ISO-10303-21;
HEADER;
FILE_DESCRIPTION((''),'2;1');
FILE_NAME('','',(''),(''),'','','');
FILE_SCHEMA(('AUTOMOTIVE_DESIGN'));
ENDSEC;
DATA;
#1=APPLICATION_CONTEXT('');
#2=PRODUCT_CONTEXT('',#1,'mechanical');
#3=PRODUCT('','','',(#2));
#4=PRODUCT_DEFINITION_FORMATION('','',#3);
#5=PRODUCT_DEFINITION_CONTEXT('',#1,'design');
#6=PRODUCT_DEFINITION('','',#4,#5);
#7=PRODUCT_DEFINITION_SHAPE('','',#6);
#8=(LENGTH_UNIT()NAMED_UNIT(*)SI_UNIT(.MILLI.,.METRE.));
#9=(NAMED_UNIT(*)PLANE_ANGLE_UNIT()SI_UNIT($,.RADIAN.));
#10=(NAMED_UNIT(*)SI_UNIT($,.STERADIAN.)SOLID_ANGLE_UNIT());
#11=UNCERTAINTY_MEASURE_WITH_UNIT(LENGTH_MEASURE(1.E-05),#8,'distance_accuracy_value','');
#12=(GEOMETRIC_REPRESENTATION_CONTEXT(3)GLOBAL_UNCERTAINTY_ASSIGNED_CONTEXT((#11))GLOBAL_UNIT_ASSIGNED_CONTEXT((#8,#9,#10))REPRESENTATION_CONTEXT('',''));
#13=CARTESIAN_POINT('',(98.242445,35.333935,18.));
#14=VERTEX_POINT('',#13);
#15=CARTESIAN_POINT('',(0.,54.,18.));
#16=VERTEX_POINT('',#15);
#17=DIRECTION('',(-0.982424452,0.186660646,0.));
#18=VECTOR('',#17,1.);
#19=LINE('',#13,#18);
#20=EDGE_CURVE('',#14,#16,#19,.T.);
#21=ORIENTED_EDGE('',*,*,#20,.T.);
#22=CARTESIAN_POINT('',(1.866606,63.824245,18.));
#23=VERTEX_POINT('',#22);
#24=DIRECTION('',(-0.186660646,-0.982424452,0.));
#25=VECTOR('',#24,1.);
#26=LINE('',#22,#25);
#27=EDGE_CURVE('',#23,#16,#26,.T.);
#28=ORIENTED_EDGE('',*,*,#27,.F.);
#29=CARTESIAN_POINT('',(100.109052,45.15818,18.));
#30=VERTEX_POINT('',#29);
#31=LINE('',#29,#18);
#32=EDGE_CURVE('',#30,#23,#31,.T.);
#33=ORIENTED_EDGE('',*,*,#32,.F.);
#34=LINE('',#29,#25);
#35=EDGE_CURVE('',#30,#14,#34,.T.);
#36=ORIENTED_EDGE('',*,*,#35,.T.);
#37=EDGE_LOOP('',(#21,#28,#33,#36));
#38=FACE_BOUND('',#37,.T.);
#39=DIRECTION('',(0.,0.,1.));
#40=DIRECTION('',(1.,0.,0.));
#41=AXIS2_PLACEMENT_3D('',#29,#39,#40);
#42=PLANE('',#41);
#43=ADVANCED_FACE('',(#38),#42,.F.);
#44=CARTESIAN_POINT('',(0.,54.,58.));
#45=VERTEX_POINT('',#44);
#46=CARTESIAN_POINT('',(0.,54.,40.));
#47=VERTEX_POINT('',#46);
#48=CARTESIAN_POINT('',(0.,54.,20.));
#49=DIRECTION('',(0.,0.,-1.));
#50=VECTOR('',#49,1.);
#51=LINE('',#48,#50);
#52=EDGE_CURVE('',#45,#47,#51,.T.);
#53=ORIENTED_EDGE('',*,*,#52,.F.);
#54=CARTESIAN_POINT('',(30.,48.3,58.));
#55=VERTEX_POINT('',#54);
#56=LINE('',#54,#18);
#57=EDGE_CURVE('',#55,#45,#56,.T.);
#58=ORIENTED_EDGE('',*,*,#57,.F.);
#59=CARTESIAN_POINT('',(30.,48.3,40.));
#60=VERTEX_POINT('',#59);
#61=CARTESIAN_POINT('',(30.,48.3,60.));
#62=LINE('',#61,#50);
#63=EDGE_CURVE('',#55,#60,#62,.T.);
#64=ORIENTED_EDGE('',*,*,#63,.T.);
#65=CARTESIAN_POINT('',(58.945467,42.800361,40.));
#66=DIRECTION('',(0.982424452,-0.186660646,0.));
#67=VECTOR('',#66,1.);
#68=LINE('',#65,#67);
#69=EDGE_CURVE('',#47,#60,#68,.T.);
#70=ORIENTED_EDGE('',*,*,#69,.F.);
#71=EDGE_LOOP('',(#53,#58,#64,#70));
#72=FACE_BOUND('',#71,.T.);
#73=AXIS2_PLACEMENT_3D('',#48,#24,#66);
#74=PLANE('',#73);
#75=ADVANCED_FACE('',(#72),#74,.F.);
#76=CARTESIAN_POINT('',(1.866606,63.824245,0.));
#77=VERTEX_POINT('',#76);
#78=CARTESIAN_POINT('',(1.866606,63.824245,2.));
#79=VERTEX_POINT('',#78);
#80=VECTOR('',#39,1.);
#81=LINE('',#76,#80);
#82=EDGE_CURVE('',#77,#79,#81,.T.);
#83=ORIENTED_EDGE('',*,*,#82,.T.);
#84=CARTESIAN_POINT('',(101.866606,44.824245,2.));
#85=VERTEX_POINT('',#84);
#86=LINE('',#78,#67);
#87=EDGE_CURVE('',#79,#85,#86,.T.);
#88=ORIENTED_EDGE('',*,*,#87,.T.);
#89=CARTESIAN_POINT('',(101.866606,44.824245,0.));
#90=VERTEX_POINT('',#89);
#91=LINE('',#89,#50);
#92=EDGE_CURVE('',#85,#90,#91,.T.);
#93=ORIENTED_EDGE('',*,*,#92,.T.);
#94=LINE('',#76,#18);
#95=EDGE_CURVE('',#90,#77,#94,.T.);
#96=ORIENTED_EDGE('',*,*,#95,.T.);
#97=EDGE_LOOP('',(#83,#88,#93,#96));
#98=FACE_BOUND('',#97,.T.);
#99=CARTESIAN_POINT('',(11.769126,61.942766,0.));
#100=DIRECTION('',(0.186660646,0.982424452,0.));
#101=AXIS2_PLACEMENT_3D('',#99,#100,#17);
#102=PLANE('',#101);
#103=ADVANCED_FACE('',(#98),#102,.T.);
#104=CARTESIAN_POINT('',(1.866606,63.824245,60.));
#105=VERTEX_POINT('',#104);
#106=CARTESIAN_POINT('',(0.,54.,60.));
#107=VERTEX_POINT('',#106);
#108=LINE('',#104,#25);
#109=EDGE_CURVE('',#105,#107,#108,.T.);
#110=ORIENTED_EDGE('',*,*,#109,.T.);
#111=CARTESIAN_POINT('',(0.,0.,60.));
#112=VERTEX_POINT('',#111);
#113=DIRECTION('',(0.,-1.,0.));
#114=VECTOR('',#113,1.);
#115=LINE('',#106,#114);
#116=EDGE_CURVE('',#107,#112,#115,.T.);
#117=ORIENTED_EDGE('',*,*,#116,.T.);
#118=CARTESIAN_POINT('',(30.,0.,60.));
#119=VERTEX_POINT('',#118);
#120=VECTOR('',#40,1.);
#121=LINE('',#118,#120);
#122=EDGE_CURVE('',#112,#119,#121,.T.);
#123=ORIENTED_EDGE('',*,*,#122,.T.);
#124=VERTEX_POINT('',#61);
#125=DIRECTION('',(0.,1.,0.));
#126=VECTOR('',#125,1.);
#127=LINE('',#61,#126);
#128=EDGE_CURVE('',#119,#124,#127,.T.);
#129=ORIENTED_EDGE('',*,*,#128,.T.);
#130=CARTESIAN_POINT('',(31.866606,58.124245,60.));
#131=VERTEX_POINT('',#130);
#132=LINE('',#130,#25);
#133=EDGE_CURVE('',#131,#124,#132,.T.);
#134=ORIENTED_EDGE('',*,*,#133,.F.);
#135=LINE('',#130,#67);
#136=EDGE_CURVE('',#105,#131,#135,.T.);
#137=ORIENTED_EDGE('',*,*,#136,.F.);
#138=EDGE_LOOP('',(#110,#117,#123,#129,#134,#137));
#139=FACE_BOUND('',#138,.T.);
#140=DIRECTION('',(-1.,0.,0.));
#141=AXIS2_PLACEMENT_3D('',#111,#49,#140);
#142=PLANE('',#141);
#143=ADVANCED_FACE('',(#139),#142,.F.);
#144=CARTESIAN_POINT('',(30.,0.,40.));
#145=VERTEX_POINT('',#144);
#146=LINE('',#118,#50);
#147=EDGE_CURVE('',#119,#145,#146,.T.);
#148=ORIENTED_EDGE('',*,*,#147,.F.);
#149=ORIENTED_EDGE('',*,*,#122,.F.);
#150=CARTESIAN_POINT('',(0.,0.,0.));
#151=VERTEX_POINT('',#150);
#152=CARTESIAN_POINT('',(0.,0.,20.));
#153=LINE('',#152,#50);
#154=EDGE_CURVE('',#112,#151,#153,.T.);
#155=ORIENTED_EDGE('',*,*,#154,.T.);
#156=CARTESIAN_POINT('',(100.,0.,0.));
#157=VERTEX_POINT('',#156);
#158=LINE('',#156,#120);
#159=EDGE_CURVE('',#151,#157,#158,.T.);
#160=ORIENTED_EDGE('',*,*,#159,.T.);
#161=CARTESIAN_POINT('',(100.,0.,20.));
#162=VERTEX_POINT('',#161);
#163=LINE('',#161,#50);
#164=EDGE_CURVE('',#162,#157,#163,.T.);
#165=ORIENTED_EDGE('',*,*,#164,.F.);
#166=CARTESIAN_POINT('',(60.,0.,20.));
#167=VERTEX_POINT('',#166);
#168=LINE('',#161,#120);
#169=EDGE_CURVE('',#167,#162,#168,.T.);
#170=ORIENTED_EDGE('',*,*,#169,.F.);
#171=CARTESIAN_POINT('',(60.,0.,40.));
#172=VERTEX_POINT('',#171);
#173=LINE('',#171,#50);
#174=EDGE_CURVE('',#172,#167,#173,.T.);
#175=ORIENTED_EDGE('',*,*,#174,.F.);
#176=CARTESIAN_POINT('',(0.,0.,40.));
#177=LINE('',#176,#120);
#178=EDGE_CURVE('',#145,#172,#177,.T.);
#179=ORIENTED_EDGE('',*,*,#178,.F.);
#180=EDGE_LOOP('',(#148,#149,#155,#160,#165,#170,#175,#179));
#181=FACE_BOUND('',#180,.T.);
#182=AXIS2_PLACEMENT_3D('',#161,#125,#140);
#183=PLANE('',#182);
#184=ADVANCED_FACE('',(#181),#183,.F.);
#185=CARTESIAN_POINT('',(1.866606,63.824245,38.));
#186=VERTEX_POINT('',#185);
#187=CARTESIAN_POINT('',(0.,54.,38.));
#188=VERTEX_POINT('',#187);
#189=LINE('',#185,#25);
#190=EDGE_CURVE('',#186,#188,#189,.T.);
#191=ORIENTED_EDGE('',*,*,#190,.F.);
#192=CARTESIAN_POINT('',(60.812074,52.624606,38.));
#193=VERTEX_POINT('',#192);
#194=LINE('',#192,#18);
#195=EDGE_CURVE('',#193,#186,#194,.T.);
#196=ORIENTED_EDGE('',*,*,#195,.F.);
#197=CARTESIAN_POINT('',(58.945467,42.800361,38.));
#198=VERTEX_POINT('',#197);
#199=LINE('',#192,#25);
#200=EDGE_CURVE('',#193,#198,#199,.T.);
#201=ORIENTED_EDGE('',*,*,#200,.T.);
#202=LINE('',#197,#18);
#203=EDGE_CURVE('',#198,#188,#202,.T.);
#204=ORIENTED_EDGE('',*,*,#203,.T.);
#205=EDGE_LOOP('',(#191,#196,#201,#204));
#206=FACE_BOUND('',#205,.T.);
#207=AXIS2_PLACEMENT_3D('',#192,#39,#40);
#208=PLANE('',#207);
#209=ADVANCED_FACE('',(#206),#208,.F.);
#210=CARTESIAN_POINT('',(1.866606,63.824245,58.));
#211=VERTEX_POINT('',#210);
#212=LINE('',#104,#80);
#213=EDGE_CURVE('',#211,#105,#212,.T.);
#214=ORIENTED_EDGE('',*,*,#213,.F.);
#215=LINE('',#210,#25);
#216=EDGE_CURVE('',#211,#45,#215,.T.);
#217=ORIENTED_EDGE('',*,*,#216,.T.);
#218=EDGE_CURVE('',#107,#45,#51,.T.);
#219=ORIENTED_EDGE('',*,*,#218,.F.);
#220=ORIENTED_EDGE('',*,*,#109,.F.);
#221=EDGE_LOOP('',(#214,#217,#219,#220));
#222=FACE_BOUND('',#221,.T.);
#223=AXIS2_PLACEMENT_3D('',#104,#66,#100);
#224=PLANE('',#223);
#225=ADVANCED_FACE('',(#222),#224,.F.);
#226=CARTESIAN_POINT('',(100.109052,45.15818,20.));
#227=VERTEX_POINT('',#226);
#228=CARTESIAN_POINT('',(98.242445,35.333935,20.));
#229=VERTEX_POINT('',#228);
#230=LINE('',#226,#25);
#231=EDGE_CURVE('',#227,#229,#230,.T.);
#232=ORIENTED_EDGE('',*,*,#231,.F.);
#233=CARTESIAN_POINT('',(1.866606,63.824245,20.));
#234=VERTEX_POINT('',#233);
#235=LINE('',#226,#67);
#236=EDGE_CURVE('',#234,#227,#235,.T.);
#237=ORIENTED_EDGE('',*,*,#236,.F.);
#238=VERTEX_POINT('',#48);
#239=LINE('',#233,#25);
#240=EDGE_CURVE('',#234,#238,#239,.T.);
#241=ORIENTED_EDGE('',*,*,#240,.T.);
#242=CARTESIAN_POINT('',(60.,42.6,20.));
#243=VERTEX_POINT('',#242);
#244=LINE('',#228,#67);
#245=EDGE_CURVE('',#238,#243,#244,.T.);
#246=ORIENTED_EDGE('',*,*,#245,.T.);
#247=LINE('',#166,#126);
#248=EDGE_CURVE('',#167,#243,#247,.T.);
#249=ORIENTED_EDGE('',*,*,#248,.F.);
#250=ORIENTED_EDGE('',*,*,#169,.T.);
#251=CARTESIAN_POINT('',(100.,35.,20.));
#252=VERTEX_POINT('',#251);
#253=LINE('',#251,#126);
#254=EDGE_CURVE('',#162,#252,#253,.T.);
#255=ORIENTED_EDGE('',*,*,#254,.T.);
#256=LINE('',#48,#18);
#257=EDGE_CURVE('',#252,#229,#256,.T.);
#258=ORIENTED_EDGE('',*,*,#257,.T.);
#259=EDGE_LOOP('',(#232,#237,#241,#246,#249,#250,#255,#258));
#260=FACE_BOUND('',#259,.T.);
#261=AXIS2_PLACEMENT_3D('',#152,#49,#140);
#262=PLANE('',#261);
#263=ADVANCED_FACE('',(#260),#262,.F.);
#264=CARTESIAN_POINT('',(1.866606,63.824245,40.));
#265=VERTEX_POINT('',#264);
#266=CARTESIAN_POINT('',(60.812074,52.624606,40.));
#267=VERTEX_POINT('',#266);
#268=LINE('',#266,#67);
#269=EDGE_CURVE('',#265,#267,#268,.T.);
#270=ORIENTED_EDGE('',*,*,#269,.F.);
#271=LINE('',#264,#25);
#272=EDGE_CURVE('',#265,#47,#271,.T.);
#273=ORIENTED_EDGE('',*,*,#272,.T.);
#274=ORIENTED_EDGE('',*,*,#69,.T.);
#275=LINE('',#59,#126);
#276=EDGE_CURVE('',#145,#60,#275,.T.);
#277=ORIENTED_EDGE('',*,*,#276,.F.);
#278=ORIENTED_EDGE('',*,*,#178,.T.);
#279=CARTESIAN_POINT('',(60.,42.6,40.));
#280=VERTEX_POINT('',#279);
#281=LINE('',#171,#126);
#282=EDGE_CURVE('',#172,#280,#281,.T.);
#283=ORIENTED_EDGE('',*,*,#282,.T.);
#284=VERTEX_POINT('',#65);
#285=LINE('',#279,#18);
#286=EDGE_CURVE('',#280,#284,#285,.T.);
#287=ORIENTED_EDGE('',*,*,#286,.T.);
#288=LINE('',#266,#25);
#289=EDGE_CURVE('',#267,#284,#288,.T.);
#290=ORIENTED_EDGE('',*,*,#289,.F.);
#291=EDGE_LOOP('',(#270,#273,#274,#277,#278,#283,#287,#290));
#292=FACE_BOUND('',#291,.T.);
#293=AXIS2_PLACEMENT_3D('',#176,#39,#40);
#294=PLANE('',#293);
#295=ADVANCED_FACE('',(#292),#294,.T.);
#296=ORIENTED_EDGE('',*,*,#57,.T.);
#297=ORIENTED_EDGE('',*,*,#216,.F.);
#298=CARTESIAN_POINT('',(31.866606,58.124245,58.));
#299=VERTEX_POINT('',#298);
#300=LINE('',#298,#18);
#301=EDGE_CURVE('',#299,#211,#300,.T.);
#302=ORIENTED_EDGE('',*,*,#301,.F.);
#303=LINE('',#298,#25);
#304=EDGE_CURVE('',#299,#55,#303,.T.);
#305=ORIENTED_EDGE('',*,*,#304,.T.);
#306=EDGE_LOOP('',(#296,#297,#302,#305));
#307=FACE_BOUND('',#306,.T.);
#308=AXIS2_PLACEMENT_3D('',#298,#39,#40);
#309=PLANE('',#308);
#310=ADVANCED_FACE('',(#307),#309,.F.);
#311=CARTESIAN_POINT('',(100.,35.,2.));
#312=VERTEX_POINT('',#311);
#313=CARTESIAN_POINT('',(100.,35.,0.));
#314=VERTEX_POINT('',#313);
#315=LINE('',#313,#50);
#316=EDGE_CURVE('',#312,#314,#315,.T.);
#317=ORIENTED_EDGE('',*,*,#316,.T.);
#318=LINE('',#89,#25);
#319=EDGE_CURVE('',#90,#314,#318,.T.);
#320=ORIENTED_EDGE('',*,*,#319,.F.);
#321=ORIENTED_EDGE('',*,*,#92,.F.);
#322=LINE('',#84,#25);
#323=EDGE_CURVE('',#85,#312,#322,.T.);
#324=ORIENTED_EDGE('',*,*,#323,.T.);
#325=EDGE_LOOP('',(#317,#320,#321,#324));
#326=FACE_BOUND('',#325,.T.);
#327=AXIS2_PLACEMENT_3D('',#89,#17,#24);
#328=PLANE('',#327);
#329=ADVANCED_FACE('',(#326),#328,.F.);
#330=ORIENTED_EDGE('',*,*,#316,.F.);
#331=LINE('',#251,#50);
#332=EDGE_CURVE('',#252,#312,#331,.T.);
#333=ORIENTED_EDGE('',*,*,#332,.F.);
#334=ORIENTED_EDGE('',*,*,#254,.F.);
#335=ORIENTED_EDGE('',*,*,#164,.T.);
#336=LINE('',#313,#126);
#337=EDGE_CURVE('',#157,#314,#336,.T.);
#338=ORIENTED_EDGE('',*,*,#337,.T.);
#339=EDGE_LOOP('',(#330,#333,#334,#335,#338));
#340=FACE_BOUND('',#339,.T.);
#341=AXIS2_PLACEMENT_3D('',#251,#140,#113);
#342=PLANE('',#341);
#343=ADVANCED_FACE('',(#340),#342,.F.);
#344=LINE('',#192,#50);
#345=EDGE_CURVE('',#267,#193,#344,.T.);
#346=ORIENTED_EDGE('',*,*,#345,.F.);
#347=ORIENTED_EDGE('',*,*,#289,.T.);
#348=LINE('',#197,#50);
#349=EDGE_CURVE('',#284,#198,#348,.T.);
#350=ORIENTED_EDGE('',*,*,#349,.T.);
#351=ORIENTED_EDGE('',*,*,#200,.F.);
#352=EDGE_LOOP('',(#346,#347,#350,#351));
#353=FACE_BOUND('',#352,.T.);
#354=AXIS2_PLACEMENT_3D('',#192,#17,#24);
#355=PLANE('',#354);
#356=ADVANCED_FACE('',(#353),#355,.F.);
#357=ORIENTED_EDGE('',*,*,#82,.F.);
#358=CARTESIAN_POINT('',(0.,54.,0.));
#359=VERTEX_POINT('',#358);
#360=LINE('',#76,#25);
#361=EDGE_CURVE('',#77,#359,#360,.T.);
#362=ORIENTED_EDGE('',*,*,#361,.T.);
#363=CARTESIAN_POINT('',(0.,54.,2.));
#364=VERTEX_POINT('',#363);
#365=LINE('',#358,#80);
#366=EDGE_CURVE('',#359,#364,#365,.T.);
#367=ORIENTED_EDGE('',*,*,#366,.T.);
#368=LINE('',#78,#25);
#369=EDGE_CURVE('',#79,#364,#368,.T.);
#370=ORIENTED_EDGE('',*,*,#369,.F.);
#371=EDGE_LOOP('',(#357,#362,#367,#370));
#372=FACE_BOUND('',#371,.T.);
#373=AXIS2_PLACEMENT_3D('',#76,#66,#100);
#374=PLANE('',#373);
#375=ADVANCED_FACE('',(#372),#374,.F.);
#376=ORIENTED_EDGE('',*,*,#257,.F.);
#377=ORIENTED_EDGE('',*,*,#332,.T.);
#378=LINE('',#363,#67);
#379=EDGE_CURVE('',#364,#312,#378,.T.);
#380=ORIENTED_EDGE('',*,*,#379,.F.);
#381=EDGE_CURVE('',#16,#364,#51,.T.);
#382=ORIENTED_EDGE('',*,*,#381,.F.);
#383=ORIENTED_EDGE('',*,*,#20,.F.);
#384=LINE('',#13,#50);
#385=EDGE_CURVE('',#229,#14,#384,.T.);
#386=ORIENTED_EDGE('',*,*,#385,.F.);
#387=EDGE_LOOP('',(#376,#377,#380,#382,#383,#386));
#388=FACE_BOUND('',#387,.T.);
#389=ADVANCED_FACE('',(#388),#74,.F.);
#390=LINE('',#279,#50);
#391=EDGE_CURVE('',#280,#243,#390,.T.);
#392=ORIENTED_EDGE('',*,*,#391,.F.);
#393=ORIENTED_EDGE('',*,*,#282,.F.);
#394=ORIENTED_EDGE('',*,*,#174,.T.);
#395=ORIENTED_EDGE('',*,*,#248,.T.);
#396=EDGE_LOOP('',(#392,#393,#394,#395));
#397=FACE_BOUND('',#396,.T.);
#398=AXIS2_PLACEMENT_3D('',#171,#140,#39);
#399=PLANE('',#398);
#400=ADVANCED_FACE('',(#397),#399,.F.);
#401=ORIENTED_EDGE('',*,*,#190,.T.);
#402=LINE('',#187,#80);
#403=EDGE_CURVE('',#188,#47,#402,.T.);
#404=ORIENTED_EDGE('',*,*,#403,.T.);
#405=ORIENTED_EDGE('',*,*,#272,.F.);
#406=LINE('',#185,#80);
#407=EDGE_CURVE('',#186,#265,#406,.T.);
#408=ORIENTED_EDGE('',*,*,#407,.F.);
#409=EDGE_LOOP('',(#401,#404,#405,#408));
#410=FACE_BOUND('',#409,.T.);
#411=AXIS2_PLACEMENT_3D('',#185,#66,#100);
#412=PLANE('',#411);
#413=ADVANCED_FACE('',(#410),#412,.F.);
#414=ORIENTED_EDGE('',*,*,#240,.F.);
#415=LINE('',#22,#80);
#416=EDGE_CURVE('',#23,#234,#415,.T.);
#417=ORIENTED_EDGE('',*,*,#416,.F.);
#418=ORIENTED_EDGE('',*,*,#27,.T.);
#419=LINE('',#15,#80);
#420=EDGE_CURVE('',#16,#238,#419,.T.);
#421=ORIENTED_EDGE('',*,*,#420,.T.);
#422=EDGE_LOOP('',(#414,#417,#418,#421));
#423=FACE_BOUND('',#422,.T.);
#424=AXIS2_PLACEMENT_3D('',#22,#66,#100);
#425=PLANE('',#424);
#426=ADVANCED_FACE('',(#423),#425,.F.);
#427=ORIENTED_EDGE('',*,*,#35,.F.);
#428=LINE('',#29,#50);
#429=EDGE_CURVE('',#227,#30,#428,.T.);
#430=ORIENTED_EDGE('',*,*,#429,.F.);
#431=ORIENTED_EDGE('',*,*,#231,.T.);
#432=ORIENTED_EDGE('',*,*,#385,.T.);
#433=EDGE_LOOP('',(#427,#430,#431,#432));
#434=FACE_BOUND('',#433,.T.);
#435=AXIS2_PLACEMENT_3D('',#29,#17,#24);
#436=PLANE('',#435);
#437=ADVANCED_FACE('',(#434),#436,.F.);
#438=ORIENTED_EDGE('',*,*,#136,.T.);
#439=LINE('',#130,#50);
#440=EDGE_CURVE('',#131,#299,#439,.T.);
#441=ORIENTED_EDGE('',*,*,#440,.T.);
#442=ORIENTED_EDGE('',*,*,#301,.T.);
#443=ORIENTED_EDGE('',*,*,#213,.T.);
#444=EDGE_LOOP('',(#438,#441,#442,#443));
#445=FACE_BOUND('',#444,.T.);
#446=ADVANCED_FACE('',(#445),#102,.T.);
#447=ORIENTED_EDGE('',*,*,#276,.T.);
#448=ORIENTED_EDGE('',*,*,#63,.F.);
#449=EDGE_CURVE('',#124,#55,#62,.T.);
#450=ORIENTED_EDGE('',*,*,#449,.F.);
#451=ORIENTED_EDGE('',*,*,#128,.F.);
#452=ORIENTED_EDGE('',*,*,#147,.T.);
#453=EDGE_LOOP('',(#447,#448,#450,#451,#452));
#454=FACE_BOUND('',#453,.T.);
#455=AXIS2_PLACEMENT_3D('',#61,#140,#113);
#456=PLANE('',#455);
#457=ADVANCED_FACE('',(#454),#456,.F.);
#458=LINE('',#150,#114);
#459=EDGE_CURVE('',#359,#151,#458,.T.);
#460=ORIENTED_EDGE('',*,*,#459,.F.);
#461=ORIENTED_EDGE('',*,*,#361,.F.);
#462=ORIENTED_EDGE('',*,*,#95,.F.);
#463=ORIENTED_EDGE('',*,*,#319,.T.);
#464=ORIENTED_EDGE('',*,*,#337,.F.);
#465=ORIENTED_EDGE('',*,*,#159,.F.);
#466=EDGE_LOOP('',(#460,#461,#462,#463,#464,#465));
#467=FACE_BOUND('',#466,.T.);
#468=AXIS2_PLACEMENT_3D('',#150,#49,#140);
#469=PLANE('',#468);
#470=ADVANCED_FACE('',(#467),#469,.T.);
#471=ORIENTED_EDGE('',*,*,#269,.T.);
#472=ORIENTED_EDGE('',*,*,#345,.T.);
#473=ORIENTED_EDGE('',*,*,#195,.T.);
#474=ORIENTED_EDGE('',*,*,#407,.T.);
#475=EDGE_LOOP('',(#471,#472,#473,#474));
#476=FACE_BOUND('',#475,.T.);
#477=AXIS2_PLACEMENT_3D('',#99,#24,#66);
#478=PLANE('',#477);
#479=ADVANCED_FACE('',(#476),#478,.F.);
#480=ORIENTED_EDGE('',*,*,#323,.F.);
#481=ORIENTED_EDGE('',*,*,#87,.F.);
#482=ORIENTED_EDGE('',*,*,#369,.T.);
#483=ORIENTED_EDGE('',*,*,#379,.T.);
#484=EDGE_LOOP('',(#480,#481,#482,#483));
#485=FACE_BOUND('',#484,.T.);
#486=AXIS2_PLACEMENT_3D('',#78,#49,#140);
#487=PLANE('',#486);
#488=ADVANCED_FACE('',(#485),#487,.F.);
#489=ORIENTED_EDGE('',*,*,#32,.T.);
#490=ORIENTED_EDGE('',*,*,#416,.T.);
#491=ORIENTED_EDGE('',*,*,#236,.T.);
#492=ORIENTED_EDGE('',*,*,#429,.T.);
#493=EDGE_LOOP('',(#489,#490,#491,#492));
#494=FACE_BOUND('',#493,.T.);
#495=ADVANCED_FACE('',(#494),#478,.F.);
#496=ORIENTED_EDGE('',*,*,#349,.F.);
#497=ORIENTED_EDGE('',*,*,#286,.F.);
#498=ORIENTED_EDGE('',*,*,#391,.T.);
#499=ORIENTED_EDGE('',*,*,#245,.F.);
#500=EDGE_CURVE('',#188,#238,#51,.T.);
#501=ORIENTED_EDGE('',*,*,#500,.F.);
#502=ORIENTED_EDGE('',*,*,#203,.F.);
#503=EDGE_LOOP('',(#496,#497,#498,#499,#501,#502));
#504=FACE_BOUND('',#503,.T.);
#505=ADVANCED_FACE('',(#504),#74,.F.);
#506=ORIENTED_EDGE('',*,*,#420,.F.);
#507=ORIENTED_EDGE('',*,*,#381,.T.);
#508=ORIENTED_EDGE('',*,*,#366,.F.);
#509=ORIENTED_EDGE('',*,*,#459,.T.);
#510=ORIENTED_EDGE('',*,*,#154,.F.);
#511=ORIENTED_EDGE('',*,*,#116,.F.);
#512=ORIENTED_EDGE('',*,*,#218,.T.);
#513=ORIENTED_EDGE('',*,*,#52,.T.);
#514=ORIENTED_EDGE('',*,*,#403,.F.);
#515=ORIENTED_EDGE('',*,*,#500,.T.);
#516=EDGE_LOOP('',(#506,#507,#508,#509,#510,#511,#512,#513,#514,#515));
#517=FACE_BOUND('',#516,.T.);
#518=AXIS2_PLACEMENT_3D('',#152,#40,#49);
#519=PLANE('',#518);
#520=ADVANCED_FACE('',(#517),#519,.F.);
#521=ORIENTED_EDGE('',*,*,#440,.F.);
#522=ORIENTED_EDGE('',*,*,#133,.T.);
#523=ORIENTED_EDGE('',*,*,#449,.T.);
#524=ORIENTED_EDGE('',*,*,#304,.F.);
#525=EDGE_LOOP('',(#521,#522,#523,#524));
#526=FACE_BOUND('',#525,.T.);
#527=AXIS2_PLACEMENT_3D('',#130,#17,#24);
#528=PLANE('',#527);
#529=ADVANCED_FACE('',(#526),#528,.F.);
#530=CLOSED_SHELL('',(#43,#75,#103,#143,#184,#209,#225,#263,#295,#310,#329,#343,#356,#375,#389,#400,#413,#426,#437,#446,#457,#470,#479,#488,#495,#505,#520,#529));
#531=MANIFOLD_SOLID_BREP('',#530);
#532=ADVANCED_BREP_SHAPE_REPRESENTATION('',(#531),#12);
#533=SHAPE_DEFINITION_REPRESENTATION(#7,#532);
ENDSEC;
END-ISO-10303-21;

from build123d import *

# Parameters (mm, degrees)
BOSS_EXTRUDE1_DEPTH = 20
BOSS_EXTRUDE2_DEPTH = 20
BOSS_EXTRUDE3_DEPTH = 20
SKETCH4_W           = 101.78899744
SKETCH4_H           = 2
SKETCH4_W_2         = 100
SKETCH4_W_3         = 60
SKETCH4_W_4         = 30.536699232
BOSS_EXTRUDE4_DEPTH = 10


with BuildPart() as part:
    # Sketch1 → Boss-Extrude1 (new body)
    with BuildSketch(Plane.XY):
        Polygon((0, 0), (0, 54), (100, 35), (100, 0), align=None)
    extrude(amount=BOSS_EXTRUDE1_DEPTH)

    # Sketch2 → Boss-Extrude2 (add)
    with BuildSketch(Plane.XY.offset(20)):
        Polygon((0, 54), (0, 0), (60, 0), (60, 42.6), align=None)
    extrude(amount=BOSS_EXTRUDE2_DEPTH)

    # Sketch3 → Boss-Extrude3 (add)
    with BuildSketch(Plane.XY.offset(40)):
        Polygon((0, 54), (0, 0), (30, 0), (30, 48.3), align=None)
    extrude(amount=BOSS_EXTRUDE3_DEPTH)

    # Sketch4 → Boss-Extrude4 (add)
    with BuildSketch(Plane(origin=(9.902519062, 52.118521378, 0), x_dir=(0.982424451701422, -0.1866606458232701, 0), z_dir=(0.1866606458232701, 0.982424451701422, 0))):
        with Locations((40.814823846, -1)):
            Rectangle(SKETCH4_W, SKETCH4_H)
        with Locations((39.920325126, -19)):
            Rectangle(SKETCH4_W_2, SKETCH4_H)
        with Locations((19.920325126, -39)):
            Rectangle(SKETCH4_W_3, SKETCH4_H)
        with Locations((5.188674742, -59)):
            Rectangle(SKETCH4_W_4, SKETCH4_H)
    extrude(amount=BOSS_EXTRUDE4_DEPTH)


solid = part.part
